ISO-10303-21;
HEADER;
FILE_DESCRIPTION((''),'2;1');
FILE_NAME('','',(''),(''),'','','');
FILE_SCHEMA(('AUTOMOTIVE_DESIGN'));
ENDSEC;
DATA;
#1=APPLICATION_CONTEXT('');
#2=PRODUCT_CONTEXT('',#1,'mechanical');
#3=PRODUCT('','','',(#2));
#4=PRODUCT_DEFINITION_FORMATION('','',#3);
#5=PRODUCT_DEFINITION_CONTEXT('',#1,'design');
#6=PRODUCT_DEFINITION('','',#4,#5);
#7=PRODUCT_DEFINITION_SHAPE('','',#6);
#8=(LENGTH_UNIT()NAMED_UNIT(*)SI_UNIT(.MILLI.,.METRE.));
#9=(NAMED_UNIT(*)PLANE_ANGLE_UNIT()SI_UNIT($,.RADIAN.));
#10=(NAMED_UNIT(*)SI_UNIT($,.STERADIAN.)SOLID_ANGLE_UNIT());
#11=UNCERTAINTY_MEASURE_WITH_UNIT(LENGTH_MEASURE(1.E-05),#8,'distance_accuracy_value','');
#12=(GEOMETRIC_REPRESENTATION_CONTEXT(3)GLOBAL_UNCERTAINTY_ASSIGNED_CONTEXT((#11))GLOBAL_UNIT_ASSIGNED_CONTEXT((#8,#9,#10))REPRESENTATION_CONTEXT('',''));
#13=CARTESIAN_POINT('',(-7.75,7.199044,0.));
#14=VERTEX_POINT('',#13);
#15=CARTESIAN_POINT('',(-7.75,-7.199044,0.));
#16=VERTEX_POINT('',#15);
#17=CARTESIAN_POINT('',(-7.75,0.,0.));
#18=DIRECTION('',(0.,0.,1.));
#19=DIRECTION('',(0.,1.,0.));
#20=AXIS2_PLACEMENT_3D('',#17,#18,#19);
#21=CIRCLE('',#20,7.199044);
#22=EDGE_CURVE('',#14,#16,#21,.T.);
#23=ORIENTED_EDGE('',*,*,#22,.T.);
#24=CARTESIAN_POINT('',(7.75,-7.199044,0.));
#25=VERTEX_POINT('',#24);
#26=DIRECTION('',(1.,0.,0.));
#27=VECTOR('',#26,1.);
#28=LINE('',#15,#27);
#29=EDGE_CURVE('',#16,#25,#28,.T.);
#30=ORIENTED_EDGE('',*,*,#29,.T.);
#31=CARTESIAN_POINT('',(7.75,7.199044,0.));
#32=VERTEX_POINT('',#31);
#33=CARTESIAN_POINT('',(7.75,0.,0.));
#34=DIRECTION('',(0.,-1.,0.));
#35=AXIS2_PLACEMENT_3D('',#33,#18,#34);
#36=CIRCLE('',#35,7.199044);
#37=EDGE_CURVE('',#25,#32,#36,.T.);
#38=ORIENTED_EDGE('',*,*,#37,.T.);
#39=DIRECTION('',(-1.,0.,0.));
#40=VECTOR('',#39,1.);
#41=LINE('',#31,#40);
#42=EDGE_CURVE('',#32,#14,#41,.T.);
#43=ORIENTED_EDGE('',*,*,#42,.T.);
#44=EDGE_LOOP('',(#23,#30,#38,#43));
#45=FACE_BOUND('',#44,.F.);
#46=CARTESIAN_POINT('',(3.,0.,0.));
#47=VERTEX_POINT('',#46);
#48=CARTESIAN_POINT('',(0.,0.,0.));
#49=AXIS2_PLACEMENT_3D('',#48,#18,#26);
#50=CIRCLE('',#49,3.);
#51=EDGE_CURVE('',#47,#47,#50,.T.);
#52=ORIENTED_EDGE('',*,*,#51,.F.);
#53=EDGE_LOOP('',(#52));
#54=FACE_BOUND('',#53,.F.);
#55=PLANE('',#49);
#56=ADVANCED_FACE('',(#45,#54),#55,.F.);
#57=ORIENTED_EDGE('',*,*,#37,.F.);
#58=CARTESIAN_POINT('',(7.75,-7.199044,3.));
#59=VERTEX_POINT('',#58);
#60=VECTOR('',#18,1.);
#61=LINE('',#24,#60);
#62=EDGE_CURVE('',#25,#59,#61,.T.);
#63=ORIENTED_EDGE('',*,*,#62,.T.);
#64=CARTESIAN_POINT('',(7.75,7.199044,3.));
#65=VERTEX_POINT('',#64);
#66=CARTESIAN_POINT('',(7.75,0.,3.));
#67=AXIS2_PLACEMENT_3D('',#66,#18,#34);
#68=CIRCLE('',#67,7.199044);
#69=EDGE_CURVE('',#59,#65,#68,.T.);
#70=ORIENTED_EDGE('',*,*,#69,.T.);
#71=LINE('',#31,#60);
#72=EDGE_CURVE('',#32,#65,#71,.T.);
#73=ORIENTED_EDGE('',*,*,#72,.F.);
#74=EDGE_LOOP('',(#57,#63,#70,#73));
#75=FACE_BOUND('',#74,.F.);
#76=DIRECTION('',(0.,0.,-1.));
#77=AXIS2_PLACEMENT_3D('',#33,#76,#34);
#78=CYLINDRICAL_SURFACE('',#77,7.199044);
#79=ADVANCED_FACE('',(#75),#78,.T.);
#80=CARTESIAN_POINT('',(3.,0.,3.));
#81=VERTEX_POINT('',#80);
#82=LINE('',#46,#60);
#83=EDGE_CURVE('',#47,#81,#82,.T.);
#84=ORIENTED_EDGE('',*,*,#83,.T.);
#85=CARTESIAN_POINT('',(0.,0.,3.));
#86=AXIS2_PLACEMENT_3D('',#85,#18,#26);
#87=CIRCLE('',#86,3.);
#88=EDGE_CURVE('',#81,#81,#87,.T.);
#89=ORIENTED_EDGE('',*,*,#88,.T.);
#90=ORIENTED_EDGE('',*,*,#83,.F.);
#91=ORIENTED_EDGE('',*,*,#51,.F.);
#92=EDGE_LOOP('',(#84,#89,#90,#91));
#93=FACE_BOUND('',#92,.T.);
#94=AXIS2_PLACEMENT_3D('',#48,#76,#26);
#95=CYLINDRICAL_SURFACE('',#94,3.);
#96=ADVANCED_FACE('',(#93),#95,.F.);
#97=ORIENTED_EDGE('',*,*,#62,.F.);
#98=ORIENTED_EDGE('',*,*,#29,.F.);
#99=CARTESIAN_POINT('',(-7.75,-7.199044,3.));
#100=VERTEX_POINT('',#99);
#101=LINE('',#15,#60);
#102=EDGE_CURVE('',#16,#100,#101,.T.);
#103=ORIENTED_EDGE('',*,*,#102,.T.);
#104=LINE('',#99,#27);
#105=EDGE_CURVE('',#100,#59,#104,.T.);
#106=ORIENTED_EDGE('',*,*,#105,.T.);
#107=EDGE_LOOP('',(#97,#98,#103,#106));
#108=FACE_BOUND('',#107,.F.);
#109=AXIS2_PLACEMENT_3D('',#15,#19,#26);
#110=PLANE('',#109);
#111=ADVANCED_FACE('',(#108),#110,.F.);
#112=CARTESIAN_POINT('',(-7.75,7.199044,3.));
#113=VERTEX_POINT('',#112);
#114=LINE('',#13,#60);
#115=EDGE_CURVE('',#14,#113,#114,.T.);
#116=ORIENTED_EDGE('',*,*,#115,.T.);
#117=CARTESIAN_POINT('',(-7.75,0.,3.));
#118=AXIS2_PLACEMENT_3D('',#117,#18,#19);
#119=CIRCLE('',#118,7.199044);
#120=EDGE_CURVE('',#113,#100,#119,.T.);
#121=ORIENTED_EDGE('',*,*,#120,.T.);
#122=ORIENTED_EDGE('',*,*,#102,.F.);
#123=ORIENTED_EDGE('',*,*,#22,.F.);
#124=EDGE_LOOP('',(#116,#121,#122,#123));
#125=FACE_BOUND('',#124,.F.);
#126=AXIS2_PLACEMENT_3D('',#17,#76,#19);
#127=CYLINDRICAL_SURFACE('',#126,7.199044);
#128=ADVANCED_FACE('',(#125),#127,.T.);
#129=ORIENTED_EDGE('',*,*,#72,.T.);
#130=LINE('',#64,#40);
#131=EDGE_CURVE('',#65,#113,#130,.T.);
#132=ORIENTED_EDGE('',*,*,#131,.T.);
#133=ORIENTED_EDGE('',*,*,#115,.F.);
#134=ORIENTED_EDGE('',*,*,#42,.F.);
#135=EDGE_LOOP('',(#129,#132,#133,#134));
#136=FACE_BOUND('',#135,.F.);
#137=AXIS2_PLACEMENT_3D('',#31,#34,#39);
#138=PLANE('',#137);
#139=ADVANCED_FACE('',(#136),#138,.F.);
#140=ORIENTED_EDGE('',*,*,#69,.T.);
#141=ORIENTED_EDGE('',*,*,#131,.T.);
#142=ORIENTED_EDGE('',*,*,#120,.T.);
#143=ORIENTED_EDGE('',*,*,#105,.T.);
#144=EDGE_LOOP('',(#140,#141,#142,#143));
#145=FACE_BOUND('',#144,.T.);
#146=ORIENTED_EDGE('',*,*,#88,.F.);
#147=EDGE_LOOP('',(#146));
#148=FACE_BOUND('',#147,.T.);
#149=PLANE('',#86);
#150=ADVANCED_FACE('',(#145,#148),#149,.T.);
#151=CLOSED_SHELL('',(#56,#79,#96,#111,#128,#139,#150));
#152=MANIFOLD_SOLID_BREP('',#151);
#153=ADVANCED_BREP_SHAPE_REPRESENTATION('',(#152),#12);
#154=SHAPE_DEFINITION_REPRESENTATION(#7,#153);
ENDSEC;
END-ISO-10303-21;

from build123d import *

# Parameters (mm, degrees)
F0_R     = 3
F1_DEPTH = 3


with BuildPart() as f1:
    # F0 (on Top) → F1 (new body)
    with BuildSketch(Plane.XY):
        with BuildLine():
            ThreePointArc((7.75, -7.199044), (14.949044, 0), (7.75, 7.199044))
            Line((7.75, 7.199044), (-7.75, 7.199044))
            ThreePointArc((-7.75, 7.199044), (-14.949044, 0), (-7.75, -7.199044))
            Line((-7.75, -7.199044), (7.75, -7.199044))
        make_face()
        Circle(F0_R, mode=Mode.SUBTRACT)
    extrude(amount=F1_DEPTH)


solid = f1.part
